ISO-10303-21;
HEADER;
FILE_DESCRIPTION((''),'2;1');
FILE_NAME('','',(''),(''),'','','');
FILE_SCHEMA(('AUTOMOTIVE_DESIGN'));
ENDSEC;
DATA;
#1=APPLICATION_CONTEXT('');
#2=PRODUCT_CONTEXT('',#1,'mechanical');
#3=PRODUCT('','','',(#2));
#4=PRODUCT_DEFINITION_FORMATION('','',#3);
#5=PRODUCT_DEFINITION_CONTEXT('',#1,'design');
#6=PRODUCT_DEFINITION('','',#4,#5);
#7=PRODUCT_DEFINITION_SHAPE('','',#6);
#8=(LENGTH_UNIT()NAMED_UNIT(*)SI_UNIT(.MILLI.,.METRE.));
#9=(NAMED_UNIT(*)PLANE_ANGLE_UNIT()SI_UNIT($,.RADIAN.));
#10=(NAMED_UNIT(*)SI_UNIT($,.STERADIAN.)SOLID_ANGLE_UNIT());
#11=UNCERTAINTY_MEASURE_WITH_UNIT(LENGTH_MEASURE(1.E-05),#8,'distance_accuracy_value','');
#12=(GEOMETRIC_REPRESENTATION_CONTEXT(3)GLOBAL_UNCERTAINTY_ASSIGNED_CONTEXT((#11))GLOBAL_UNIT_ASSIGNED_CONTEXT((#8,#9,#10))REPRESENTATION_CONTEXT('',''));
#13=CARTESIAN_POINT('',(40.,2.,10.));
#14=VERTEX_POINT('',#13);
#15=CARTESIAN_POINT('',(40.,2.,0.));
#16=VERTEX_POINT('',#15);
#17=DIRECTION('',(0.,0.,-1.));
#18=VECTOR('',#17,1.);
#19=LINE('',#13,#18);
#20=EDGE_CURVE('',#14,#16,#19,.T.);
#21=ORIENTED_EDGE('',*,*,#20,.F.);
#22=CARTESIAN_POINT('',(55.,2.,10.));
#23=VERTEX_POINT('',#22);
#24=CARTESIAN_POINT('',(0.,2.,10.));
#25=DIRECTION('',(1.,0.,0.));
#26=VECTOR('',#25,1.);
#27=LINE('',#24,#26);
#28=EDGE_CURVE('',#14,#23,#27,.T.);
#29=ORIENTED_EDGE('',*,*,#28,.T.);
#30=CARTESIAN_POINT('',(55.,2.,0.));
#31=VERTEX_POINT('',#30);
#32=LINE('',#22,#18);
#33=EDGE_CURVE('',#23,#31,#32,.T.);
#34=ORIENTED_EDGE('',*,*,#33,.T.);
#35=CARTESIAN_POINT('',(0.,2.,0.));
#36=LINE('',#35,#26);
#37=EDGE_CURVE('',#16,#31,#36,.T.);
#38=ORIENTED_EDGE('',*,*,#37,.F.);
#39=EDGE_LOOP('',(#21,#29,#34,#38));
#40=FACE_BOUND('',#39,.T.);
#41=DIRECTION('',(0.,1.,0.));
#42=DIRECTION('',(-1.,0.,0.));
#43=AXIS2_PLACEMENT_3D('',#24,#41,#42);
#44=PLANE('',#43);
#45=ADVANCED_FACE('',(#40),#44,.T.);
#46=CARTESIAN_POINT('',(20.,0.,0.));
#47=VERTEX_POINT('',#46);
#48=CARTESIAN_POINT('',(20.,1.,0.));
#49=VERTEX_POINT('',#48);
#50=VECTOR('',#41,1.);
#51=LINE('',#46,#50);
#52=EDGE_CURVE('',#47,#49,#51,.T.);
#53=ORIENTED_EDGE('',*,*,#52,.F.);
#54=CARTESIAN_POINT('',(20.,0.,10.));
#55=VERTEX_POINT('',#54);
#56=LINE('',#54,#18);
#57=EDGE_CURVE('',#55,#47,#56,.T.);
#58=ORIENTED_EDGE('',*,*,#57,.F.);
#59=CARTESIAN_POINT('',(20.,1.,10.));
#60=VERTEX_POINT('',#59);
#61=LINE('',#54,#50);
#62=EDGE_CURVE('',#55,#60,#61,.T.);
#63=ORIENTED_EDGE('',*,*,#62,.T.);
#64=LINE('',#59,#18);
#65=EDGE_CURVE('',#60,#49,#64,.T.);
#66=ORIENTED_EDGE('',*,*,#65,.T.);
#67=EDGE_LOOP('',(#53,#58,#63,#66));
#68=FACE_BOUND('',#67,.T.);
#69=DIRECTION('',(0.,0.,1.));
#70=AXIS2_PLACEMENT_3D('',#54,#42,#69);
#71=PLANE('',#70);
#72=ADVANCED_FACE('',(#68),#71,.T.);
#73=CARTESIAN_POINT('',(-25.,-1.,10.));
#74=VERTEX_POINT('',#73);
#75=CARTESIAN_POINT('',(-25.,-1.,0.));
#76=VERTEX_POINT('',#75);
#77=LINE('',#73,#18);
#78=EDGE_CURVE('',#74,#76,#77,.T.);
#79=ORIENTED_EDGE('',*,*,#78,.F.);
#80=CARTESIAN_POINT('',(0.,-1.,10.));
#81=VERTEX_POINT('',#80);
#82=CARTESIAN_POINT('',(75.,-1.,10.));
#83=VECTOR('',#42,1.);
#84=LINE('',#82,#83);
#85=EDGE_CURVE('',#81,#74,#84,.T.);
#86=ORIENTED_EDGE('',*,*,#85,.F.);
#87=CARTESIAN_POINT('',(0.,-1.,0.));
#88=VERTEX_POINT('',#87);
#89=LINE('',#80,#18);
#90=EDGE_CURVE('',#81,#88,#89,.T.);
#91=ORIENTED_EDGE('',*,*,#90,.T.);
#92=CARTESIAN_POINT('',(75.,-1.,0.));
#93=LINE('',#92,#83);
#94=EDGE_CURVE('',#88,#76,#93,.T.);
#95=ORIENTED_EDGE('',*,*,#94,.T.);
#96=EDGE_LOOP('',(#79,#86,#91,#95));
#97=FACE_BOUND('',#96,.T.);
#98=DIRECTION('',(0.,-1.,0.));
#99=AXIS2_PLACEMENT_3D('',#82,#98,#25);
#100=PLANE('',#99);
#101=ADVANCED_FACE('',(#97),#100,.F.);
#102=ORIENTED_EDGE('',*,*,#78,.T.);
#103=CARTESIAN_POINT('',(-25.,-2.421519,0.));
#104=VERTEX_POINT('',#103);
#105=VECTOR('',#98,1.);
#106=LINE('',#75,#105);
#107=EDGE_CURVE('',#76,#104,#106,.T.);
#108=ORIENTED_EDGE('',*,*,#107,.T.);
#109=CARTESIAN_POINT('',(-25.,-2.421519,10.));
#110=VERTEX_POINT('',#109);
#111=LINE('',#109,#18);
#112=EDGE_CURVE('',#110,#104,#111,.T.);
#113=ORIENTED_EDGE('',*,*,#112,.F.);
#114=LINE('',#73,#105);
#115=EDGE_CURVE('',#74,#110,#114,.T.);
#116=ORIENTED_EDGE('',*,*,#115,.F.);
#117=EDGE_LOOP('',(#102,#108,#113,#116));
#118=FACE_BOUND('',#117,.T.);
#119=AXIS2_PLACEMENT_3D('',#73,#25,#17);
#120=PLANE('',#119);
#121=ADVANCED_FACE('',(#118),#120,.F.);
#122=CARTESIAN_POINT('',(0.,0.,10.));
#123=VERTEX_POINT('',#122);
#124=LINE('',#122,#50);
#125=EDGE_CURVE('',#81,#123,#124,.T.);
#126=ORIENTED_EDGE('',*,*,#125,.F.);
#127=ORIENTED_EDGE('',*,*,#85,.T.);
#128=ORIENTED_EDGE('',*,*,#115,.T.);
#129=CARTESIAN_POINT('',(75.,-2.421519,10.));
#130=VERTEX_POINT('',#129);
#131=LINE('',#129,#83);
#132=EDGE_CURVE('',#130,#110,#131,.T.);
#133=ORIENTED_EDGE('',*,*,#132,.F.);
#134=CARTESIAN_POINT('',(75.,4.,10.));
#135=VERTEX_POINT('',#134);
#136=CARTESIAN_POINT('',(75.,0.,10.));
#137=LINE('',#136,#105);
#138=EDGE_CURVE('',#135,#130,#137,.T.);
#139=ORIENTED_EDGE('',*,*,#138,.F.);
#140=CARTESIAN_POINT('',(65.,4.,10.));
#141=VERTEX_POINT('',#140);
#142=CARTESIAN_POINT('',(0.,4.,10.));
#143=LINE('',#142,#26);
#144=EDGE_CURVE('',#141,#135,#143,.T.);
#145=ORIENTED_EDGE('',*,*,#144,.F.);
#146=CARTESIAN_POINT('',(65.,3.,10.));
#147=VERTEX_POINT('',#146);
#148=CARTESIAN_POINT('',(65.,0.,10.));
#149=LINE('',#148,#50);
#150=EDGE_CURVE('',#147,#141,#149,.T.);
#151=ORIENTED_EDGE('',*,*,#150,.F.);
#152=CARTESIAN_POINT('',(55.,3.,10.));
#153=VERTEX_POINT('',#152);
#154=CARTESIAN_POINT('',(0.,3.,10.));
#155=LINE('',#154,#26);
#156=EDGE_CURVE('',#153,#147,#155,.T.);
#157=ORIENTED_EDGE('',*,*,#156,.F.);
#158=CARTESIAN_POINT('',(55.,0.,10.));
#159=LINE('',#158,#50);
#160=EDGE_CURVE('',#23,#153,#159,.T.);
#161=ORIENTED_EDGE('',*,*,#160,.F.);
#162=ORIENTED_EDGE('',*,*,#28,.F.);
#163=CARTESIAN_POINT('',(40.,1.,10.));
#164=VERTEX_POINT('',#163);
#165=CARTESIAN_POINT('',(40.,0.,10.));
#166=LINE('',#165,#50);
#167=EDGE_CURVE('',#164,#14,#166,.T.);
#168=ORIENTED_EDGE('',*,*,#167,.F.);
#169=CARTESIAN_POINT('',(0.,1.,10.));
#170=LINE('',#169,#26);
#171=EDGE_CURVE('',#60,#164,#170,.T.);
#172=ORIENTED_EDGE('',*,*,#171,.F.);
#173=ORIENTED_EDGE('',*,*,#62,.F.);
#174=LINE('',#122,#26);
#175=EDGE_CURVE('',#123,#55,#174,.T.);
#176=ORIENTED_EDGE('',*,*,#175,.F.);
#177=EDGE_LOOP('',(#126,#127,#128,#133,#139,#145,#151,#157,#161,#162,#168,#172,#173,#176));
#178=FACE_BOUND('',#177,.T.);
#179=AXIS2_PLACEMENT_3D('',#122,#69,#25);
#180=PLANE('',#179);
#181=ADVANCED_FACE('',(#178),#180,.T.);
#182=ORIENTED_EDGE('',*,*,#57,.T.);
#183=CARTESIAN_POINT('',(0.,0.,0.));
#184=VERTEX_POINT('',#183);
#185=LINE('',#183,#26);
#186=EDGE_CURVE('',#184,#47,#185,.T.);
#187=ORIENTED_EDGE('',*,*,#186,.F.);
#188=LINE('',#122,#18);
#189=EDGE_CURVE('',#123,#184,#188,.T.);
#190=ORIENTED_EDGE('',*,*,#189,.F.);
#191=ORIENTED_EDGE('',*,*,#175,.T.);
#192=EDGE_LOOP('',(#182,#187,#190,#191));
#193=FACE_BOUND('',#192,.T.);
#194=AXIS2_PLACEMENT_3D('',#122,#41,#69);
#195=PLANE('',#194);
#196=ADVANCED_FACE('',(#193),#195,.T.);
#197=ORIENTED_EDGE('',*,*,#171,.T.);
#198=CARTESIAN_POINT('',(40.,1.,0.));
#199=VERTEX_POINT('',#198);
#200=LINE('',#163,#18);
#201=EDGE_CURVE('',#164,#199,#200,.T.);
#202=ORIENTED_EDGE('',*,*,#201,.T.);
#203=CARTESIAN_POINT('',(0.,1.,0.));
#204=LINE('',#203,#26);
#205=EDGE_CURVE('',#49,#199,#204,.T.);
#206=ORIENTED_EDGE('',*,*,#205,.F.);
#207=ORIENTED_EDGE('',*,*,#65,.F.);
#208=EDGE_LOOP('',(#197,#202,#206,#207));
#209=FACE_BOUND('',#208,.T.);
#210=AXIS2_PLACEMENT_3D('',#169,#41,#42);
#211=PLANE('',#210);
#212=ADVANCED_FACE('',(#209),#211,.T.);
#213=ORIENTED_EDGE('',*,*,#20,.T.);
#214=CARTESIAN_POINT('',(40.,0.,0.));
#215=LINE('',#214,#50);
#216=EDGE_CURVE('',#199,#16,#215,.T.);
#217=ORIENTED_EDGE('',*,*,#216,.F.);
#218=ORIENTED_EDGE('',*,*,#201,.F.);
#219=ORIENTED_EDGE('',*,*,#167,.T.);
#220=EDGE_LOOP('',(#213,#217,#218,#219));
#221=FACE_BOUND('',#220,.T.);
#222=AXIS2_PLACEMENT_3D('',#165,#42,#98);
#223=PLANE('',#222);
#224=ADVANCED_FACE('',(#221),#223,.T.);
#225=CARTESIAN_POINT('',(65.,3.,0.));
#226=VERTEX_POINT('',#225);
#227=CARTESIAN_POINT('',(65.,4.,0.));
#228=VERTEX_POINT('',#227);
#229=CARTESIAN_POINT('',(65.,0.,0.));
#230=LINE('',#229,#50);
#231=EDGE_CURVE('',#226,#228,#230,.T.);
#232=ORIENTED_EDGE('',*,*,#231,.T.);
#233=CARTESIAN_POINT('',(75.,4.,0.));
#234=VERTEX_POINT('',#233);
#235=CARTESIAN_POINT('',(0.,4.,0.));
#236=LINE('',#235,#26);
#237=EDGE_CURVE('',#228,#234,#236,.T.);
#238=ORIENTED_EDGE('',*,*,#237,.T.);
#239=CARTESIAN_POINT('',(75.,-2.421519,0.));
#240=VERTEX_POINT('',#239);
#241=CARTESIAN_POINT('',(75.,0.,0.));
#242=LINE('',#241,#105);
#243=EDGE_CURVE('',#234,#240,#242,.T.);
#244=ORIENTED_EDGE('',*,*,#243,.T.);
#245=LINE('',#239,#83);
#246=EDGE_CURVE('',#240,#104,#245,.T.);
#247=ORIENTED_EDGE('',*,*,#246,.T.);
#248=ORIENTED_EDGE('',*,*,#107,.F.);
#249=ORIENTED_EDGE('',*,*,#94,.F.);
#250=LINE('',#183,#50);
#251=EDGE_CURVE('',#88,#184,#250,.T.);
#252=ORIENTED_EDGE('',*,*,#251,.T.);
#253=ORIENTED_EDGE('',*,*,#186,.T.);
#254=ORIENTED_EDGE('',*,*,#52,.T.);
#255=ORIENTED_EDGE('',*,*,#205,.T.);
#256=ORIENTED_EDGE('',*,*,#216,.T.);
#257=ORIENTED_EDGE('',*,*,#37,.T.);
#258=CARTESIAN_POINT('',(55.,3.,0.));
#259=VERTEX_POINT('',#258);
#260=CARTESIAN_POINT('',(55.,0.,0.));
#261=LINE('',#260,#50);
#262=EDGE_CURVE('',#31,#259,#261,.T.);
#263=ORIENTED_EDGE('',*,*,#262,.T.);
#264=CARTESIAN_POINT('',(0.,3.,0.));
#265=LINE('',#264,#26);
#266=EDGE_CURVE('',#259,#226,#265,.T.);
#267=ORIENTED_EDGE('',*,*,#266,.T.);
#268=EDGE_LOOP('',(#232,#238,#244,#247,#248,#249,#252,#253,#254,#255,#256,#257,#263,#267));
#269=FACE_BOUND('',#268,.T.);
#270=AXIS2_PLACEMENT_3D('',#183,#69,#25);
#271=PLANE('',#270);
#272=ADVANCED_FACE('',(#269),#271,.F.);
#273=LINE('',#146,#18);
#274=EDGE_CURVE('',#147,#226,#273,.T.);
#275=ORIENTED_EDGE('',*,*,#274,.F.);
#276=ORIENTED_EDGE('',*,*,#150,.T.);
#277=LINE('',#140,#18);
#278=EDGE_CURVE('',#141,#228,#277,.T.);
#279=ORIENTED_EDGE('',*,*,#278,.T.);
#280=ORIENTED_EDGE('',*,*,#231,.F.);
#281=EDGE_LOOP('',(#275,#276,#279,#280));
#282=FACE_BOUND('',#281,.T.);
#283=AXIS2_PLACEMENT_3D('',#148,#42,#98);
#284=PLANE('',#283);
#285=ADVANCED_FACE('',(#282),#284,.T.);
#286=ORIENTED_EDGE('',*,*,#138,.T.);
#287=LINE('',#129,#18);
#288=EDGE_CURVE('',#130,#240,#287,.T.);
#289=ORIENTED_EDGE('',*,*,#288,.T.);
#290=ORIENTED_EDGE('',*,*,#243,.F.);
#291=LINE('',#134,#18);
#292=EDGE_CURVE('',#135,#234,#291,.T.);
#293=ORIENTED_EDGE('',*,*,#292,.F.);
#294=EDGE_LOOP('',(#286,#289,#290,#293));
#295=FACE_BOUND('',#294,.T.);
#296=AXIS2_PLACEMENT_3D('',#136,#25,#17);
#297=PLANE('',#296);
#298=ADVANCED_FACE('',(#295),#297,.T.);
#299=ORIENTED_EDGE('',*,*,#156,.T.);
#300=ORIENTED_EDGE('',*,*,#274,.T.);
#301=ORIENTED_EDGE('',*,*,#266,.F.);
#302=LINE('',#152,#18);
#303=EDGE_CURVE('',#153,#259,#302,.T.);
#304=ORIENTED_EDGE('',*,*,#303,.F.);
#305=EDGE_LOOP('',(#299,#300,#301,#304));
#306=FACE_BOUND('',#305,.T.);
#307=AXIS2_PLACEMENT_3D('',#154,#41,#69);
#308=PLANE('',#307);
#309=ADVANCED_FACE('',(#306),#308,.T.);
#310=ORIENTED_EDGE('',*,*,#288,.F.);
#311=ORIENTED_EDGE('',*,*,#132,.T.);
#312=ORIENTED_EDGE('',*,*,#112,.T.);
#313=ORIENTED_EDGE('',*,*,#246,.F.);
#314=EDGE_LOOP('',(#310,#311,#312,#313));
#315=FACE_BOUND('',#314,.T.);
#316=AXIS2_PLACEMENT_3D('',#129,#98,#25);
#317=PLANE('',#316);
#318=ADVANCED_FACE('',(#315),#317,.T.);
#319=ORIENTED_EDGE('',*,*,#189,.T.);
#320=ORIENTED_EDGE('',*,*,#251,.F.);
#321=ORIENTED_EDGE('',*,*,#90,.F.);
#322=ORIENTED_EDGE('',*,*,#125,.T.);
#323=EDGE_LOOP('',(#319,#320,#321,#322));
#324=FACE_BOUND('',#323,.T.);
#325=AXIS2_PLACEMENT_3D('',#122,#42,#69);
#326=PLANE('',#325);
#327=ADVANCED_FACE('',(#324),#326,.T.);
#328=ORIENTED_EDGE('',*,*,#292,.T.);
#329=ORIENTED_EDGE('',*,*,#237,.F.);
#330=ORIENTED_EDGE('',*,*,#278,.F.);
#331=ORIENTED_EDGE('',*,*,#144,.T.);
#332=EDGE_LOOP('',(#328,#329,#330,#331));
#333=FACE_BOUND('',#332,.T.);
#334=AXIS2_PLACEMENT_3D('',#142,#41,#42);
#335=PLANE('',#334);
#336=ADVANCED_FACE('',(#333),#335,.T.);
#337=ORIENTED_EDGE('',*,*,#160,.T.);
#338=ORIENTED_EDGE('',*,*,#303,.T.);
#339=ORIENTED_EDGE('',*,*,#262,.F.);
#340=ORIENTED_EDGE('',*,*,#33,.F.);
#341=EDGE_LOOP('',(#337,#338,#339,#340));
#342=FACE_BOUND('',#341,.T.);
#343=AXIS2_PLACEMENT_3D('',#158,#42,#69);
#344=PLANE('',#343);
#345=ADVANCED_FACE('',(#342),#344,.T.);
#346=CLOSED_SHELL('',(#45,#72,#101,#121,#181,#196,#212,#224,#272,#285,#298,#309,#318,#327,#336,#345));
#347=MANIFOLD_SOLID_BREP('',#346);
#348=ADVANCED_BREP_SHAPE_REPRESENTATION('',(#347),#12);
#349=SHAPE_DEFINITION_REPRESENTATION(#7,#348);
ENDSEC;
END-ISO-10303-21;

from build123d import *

# Parameters (mm, degrees)
BOSS_EXTRUDE2_DEPTH = 10


with BuildPart() as part:
    # Sketch2 → Boss-Extrude2 (new body)
    with BuildSketch(Plane.XY):
        Polygon((20, 0), (0, 0), (0, -1), (-25, -1), (-25, -2.421519289), (75, -2.421519289), (75, 4), (65, 4), (65, 3), (55, 3), (55, 2), (40, 2), (40, 1), (20, 1), align=None)
    extrude(amount=BOSS_EXTRUDE2_DEPTH)


solid = part.part
